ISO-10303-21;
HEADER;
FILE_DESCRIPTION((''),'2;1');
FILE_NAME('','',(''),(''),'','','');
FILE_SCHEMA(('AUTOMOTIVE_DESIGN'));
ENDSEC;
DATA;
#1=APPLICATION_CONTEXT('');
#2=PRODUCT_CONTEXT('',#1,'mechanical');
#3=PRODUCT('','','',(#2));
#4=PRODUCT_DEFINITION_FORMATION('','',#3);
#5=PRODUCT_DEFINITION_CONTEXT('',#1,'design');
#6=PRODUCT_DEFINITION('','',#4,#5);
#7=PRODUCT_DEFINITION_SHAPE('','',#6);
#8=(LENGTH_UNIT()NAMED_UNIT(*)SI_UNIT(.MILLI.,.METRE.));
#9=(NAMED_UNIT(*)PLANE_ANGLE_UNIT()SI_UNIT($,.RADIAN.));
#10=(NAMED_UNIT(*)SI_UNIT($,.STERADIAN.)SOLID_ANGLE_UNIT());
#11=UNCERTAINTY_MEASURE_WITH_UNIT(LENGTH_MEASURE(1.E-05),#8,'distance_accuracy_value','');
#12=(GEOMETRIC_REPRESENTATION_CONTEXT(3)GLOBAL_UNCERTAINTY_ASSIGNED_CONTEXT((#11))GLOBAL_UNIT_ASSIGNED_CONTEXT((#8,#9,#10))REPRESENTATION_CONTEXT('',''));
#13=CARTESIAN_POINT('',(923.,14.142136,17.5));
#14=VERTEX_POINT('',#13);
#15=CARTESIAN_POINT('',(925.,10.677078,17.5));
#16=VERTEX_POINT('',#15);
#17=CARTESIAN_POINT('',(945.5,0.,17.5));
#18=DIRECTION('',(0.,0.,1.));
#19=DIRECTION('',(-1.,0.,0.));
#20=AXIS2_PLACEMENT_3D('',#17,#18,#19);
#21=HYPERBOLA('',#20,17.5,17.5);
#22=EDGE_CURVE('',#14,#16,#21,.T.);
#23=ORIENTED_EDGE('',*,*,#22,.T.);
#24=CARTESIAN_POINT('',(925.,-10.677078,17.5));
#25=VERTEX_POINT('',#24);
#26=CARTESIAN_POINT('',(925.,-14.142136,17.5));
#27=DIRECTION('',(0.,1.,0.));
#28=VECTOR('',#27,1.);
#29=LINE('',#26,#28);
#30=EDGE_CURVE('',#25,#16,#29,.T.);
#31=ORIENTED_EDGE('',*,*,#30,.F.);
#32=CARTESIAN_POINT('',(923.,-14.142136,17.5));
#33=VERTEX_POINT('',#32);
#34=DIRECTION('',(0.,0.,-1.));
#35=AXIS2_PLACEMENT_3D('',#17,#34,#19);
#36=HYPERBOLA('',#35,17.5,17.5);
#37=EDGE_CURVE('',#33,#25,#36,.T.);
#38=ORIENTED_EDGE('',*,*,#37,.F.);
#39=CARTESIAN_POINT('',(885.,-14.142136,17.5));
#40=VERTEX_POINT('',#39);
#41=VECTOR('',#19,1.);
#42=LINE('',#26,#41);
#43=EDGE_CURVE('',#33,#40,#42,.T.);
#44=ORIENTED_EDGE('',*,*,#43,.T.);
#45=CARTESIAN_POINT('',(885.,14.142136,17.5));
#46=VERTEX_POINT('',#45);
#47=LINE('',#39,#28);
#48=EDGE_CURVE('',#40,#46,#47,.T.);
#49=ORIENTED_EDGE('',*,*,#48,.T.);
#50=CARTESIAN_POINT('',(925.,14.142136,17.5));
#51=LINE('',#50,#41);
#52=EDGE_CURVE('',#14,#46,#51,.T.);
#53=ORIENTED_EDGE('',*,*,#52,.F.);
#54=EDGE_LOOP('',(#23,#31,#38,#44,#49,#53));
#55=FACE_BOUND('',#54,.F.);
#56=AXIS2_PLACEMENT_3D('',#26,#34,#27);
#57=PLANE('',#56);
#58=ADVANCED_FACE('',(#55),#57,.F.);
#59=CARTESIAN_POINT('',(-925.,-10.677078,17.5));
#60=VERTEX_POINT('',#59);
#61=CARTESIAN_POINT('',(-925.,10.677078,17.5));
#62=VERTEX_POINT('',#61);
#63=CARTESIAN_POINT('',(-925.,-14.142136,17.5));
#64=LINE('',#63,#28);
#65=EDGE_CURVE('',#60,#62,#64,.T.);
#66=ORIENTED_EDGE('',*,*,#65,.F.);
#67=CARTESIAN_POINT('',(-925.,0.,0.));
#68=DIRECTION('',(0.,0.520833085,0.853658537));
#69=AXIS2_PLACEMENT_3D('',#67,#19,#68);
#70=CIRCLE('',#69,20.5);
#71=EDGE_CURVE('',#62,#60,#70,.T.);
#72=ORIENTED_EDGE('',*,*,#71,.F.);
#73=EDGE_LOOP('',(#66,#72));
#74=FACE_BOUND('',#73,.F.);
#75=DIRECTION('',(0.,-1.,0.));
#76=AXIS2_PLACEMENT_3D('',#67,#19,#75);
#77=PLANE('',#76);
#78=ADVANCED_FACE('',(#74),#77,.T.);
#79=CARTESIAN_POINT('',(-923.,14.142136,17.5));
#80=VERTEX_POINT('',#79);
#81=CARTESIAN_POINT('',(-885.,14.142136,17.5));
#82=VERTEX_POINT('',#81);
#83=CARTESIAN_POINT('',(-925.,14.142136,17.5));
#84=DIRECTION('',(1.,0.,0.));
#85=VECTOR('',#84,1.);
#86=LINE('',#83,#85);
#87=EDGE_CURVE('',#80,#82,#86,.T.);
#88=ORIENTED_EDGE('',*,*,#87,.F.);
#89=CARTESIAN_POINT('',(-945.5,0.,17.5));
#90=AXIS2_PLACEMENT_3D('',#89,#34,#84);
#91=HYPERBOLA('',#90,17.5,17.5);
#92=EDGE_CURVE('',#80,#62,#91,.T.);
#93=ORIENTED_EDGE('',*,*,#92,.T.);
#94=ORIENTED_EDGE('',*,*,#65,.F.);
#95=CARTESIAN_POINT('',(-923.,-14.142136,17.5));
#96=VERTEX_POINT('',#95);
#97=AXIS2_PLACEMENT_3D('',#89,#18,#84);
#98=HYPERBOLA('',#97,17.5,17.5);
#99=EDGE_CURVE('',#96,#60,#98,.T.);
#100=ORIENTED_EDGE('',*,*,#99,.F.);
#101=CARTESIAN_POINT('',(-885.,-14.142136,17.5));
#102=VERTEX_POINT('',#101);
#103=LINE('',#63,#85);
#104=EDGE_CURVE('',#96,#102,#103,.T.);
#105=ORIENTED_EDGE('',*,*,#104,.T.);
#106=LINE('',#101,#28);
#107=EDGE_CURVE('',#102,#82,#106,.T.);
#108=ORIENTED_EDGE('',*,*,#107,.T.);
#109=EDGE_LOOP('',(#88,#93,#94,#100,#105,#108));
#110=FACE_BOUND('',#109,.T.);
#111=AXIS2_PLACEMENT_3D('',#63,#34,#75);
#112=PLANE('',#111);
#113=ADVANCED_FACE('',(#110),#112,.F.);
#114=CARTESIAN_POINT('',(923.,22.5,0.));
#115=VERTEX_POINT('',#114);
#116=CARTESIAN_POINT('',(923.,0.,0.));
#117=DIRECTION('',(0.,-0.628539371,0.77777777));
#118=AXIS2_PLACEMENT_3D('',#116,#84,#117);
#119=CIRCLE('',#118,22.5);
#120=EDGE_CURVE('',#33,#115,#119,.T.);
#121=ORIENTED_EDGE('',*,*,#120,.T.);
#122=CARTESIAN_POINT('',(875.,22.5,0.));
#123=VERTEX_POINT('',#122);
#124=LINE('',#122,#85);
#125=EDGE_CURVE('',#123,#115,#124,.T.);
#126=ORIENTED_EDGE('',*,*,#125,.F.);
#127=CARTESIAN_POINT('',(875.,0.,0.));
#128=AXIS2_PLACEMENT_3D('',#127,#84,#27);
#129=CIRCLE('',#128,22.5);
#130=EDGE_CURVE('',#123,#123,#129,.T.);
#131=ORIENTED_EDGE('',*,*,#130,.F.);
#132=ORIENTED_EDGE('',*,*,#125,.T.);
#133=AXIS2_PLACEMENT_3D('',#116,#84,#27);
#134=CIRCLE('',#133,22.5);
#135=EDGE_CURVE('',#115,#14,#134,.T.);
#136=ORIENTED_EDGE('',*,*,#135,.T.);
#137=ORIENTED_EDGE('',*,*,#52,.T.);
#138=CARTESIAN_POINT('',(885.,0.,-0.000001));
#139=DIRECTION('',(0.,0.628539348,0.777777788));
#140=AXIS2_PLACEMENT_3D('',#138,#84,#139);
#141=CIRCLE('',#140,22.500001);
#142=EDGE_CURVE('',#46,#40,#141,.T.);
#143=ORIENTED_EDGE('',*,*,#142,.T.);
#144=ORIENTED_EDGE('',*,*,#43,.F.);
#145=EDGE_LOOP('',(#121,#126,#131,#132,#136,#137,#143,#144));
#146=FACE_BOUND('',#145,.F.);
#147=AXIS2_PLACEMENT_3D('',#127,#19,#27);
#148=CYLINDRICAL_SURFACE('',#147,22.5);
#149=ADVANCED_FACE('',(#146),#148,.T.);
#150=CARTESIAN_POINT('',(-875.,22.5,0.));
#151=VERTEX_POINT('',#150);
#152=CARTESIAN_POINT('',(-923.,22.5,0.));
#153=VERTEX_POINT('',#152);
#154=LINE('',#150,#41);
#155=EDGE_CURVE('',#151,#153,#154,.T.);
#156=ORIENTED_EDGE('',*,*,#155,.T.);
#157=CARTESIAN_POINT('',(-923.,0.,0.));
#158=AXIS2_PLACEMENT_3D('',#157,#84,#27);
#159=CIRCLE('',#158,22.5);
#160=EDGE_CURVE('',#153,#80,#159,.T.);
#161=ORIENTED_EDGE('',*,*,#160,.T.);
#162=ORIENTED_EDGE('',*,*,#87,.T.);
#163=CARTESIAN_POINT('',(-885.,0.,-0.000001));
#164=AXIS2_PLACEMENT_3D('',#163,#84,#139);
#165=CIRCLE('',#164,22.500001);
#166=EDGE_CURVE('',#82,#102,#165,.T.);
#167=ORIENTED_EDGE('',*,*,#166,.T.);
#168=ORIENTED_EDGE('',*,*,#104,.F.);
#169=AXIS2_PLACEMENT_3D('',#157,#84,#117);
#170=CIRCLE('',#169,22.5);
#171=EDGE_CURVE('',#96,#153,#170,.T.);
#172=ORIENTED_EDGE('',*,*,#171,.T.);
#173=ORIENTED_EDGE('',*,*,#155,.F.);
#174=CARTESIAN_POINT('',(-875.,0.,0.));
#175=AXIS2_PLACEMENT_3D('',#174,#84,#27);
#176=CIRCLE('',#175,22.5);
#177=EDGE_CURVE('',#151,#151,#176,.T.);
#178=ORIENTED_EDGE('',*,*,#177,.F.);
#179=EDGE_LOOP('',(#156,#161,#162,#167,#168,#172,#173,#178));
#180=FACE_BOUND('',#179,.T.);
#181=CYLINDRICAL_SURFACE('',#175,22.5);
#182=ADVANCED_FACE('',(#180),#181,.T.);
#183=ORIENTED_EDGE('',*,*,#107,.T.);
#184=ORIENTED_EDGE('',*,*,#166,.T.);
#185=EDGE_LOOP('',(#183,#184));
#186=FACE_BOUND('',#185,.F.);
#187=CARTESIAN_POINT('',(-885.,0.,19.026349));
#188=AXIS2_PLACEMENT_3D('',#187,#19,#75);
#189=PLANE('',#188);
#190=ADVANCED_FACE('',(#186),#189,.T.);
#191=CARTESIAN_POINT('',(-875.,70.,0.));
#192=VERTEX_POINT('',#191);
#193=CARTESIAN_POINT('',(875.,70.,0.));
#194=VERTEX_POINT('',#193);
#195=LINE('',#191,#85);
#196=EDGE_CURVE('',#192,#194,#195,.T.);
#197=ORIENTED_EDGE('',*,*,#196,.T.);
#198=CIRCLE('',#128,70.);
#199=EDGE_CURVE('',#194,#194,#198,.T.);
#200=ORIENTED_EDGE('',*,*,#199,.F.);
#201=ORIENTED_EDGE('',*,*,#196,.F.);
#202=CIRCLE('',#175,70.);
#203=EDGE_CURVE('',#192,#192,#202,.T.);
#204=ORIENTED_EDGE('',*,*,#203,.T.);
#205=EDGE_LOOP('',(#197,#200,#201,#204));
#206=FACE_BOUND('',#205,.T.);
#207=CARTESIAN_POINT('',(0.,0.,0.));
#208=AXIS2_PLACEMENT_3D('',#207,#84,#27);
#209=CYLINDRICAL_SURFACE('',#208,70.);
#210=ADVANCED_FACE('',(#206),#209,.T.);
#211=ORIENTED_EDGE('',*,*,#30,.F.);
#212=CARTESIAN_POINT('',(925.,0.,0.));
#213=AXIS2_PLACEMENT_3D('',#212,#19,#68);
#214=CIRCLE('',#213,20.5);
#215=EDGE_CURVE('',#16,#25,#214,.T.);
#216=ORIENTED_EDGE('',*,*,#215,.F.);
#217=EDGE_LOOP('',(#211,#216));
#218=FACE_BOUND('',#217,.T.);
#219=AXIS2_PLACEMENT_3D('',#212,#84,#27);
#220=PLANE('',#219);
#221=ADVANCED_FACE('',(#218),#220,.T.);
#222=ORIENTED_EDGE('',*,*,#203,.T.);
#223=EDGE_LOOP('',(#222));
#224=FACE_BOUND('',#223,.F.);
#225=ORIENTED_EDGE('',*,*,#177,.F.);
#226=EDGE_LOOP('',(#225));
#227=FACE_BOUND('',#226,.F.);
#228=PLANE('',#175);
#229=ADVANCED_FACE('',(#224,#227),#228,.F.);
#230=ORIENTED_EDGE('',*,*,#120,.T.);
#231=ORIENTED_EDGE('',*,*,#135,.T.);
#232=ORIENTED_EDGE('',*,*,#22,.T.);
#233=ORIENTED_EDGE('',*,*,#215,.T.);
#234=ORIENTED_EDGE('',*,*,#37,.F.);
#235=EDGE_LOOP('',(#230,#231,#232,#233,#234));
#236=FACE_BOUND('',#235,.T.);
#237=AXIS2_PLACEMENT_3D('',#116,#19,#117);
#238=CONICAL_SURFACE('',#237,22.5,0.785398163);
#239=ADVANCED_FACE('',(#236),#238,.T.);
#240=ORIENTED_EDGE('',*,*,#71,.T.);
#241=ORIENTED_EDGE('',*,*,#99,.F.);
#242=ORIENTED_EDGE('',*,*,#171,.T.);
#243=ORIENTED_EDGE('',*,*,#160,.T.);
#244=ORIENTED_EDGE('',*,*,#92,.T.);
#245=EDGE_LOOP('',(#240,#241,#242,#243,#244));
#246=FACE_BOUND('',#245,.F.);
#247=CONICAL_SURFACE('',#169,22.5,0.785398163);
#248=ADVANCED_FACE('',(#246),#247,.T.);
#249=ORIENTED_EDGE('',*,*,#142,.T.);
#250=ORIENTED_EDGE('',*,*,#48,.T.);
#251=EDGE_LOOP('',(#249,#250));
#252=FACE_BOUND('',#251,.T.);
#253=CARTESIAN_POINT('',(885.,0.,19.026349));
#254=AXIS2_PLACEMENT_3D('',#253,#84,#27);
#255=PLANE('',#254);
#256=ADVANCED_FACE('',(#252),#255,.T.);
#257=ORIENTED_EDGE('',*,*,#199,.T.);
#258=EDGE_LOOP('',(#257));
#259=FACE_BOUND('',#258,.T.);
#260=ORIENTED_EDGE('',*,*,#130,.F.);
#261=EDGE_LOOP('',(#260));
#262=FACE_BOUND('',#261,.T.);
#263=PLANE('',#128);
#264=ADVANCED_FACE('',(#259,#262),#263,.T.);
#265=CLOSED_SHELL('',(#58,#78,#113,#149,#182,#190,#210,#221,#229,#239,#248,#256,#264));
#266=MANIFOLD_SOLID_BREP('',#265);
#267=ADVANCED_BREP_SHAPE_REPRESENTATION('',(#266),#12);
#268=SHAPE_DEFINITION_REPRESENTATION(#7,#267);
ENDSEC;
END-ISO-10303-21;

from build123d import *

# Parameters (mm, degrees)
F0_R     = 27.5
F1_DEPTH = 875
F2_R     = 22.5
F3_DEPTH = 50
F5_DEPTH = 40
F6_SIZE  = 2
F8_R     = 70
F9_DEPTH = 875


with BuildPart() as f1:
    # F0 (on Right) → F1 (new body, symmetric)
    with BuildSketch(Plane.YZ):
        Circle(F0_R)
    extrude(amount=F1_DEPTH, both=True)

    # F7: F3 across plane


with BuildPart() as f3:
    # F2 (on face) → F3 (new body)
    with BuildSketch(Plane.YZ.offset(875)):
        Circle(F2_R)
    extrude(amount=F3_DEPTH)

    # F4 (on face) → F5 (cut)
    with BuildSketch(Plane.YZ.offset(925)):
        with BuildLine():
            Line((-14.142136, 17.5), (14.142136, 17.5))
            ThreePointArc((14.142136, 17.5), (0, 22.5), (-14.142136, 17.5))
        make_face()
    extrude(amount=-F5_DEPTH, mode=Mode.SUBTRACT)

    # F6
    f6_edges = [f3.edges().sort_by_distance(p)[0] for p in [
        (925, -9.696699, -20.303301),
    ]]
    chamfer(f6_edges, length=F6_SIZE)


with BuildPart() as f1_1:
    add(f1.part)
    add(f3.part.mirror(Plane.YZ))


    add(f3.part)  # F9 merges F3
    # F8 (on Right) → F9 (join, symmetric)
    with BuildSketch(Plane.YZ):
        Circle(F8_R)
    extrude(amount=F9_DEPTH, both=True)


solid = f1_1.part
